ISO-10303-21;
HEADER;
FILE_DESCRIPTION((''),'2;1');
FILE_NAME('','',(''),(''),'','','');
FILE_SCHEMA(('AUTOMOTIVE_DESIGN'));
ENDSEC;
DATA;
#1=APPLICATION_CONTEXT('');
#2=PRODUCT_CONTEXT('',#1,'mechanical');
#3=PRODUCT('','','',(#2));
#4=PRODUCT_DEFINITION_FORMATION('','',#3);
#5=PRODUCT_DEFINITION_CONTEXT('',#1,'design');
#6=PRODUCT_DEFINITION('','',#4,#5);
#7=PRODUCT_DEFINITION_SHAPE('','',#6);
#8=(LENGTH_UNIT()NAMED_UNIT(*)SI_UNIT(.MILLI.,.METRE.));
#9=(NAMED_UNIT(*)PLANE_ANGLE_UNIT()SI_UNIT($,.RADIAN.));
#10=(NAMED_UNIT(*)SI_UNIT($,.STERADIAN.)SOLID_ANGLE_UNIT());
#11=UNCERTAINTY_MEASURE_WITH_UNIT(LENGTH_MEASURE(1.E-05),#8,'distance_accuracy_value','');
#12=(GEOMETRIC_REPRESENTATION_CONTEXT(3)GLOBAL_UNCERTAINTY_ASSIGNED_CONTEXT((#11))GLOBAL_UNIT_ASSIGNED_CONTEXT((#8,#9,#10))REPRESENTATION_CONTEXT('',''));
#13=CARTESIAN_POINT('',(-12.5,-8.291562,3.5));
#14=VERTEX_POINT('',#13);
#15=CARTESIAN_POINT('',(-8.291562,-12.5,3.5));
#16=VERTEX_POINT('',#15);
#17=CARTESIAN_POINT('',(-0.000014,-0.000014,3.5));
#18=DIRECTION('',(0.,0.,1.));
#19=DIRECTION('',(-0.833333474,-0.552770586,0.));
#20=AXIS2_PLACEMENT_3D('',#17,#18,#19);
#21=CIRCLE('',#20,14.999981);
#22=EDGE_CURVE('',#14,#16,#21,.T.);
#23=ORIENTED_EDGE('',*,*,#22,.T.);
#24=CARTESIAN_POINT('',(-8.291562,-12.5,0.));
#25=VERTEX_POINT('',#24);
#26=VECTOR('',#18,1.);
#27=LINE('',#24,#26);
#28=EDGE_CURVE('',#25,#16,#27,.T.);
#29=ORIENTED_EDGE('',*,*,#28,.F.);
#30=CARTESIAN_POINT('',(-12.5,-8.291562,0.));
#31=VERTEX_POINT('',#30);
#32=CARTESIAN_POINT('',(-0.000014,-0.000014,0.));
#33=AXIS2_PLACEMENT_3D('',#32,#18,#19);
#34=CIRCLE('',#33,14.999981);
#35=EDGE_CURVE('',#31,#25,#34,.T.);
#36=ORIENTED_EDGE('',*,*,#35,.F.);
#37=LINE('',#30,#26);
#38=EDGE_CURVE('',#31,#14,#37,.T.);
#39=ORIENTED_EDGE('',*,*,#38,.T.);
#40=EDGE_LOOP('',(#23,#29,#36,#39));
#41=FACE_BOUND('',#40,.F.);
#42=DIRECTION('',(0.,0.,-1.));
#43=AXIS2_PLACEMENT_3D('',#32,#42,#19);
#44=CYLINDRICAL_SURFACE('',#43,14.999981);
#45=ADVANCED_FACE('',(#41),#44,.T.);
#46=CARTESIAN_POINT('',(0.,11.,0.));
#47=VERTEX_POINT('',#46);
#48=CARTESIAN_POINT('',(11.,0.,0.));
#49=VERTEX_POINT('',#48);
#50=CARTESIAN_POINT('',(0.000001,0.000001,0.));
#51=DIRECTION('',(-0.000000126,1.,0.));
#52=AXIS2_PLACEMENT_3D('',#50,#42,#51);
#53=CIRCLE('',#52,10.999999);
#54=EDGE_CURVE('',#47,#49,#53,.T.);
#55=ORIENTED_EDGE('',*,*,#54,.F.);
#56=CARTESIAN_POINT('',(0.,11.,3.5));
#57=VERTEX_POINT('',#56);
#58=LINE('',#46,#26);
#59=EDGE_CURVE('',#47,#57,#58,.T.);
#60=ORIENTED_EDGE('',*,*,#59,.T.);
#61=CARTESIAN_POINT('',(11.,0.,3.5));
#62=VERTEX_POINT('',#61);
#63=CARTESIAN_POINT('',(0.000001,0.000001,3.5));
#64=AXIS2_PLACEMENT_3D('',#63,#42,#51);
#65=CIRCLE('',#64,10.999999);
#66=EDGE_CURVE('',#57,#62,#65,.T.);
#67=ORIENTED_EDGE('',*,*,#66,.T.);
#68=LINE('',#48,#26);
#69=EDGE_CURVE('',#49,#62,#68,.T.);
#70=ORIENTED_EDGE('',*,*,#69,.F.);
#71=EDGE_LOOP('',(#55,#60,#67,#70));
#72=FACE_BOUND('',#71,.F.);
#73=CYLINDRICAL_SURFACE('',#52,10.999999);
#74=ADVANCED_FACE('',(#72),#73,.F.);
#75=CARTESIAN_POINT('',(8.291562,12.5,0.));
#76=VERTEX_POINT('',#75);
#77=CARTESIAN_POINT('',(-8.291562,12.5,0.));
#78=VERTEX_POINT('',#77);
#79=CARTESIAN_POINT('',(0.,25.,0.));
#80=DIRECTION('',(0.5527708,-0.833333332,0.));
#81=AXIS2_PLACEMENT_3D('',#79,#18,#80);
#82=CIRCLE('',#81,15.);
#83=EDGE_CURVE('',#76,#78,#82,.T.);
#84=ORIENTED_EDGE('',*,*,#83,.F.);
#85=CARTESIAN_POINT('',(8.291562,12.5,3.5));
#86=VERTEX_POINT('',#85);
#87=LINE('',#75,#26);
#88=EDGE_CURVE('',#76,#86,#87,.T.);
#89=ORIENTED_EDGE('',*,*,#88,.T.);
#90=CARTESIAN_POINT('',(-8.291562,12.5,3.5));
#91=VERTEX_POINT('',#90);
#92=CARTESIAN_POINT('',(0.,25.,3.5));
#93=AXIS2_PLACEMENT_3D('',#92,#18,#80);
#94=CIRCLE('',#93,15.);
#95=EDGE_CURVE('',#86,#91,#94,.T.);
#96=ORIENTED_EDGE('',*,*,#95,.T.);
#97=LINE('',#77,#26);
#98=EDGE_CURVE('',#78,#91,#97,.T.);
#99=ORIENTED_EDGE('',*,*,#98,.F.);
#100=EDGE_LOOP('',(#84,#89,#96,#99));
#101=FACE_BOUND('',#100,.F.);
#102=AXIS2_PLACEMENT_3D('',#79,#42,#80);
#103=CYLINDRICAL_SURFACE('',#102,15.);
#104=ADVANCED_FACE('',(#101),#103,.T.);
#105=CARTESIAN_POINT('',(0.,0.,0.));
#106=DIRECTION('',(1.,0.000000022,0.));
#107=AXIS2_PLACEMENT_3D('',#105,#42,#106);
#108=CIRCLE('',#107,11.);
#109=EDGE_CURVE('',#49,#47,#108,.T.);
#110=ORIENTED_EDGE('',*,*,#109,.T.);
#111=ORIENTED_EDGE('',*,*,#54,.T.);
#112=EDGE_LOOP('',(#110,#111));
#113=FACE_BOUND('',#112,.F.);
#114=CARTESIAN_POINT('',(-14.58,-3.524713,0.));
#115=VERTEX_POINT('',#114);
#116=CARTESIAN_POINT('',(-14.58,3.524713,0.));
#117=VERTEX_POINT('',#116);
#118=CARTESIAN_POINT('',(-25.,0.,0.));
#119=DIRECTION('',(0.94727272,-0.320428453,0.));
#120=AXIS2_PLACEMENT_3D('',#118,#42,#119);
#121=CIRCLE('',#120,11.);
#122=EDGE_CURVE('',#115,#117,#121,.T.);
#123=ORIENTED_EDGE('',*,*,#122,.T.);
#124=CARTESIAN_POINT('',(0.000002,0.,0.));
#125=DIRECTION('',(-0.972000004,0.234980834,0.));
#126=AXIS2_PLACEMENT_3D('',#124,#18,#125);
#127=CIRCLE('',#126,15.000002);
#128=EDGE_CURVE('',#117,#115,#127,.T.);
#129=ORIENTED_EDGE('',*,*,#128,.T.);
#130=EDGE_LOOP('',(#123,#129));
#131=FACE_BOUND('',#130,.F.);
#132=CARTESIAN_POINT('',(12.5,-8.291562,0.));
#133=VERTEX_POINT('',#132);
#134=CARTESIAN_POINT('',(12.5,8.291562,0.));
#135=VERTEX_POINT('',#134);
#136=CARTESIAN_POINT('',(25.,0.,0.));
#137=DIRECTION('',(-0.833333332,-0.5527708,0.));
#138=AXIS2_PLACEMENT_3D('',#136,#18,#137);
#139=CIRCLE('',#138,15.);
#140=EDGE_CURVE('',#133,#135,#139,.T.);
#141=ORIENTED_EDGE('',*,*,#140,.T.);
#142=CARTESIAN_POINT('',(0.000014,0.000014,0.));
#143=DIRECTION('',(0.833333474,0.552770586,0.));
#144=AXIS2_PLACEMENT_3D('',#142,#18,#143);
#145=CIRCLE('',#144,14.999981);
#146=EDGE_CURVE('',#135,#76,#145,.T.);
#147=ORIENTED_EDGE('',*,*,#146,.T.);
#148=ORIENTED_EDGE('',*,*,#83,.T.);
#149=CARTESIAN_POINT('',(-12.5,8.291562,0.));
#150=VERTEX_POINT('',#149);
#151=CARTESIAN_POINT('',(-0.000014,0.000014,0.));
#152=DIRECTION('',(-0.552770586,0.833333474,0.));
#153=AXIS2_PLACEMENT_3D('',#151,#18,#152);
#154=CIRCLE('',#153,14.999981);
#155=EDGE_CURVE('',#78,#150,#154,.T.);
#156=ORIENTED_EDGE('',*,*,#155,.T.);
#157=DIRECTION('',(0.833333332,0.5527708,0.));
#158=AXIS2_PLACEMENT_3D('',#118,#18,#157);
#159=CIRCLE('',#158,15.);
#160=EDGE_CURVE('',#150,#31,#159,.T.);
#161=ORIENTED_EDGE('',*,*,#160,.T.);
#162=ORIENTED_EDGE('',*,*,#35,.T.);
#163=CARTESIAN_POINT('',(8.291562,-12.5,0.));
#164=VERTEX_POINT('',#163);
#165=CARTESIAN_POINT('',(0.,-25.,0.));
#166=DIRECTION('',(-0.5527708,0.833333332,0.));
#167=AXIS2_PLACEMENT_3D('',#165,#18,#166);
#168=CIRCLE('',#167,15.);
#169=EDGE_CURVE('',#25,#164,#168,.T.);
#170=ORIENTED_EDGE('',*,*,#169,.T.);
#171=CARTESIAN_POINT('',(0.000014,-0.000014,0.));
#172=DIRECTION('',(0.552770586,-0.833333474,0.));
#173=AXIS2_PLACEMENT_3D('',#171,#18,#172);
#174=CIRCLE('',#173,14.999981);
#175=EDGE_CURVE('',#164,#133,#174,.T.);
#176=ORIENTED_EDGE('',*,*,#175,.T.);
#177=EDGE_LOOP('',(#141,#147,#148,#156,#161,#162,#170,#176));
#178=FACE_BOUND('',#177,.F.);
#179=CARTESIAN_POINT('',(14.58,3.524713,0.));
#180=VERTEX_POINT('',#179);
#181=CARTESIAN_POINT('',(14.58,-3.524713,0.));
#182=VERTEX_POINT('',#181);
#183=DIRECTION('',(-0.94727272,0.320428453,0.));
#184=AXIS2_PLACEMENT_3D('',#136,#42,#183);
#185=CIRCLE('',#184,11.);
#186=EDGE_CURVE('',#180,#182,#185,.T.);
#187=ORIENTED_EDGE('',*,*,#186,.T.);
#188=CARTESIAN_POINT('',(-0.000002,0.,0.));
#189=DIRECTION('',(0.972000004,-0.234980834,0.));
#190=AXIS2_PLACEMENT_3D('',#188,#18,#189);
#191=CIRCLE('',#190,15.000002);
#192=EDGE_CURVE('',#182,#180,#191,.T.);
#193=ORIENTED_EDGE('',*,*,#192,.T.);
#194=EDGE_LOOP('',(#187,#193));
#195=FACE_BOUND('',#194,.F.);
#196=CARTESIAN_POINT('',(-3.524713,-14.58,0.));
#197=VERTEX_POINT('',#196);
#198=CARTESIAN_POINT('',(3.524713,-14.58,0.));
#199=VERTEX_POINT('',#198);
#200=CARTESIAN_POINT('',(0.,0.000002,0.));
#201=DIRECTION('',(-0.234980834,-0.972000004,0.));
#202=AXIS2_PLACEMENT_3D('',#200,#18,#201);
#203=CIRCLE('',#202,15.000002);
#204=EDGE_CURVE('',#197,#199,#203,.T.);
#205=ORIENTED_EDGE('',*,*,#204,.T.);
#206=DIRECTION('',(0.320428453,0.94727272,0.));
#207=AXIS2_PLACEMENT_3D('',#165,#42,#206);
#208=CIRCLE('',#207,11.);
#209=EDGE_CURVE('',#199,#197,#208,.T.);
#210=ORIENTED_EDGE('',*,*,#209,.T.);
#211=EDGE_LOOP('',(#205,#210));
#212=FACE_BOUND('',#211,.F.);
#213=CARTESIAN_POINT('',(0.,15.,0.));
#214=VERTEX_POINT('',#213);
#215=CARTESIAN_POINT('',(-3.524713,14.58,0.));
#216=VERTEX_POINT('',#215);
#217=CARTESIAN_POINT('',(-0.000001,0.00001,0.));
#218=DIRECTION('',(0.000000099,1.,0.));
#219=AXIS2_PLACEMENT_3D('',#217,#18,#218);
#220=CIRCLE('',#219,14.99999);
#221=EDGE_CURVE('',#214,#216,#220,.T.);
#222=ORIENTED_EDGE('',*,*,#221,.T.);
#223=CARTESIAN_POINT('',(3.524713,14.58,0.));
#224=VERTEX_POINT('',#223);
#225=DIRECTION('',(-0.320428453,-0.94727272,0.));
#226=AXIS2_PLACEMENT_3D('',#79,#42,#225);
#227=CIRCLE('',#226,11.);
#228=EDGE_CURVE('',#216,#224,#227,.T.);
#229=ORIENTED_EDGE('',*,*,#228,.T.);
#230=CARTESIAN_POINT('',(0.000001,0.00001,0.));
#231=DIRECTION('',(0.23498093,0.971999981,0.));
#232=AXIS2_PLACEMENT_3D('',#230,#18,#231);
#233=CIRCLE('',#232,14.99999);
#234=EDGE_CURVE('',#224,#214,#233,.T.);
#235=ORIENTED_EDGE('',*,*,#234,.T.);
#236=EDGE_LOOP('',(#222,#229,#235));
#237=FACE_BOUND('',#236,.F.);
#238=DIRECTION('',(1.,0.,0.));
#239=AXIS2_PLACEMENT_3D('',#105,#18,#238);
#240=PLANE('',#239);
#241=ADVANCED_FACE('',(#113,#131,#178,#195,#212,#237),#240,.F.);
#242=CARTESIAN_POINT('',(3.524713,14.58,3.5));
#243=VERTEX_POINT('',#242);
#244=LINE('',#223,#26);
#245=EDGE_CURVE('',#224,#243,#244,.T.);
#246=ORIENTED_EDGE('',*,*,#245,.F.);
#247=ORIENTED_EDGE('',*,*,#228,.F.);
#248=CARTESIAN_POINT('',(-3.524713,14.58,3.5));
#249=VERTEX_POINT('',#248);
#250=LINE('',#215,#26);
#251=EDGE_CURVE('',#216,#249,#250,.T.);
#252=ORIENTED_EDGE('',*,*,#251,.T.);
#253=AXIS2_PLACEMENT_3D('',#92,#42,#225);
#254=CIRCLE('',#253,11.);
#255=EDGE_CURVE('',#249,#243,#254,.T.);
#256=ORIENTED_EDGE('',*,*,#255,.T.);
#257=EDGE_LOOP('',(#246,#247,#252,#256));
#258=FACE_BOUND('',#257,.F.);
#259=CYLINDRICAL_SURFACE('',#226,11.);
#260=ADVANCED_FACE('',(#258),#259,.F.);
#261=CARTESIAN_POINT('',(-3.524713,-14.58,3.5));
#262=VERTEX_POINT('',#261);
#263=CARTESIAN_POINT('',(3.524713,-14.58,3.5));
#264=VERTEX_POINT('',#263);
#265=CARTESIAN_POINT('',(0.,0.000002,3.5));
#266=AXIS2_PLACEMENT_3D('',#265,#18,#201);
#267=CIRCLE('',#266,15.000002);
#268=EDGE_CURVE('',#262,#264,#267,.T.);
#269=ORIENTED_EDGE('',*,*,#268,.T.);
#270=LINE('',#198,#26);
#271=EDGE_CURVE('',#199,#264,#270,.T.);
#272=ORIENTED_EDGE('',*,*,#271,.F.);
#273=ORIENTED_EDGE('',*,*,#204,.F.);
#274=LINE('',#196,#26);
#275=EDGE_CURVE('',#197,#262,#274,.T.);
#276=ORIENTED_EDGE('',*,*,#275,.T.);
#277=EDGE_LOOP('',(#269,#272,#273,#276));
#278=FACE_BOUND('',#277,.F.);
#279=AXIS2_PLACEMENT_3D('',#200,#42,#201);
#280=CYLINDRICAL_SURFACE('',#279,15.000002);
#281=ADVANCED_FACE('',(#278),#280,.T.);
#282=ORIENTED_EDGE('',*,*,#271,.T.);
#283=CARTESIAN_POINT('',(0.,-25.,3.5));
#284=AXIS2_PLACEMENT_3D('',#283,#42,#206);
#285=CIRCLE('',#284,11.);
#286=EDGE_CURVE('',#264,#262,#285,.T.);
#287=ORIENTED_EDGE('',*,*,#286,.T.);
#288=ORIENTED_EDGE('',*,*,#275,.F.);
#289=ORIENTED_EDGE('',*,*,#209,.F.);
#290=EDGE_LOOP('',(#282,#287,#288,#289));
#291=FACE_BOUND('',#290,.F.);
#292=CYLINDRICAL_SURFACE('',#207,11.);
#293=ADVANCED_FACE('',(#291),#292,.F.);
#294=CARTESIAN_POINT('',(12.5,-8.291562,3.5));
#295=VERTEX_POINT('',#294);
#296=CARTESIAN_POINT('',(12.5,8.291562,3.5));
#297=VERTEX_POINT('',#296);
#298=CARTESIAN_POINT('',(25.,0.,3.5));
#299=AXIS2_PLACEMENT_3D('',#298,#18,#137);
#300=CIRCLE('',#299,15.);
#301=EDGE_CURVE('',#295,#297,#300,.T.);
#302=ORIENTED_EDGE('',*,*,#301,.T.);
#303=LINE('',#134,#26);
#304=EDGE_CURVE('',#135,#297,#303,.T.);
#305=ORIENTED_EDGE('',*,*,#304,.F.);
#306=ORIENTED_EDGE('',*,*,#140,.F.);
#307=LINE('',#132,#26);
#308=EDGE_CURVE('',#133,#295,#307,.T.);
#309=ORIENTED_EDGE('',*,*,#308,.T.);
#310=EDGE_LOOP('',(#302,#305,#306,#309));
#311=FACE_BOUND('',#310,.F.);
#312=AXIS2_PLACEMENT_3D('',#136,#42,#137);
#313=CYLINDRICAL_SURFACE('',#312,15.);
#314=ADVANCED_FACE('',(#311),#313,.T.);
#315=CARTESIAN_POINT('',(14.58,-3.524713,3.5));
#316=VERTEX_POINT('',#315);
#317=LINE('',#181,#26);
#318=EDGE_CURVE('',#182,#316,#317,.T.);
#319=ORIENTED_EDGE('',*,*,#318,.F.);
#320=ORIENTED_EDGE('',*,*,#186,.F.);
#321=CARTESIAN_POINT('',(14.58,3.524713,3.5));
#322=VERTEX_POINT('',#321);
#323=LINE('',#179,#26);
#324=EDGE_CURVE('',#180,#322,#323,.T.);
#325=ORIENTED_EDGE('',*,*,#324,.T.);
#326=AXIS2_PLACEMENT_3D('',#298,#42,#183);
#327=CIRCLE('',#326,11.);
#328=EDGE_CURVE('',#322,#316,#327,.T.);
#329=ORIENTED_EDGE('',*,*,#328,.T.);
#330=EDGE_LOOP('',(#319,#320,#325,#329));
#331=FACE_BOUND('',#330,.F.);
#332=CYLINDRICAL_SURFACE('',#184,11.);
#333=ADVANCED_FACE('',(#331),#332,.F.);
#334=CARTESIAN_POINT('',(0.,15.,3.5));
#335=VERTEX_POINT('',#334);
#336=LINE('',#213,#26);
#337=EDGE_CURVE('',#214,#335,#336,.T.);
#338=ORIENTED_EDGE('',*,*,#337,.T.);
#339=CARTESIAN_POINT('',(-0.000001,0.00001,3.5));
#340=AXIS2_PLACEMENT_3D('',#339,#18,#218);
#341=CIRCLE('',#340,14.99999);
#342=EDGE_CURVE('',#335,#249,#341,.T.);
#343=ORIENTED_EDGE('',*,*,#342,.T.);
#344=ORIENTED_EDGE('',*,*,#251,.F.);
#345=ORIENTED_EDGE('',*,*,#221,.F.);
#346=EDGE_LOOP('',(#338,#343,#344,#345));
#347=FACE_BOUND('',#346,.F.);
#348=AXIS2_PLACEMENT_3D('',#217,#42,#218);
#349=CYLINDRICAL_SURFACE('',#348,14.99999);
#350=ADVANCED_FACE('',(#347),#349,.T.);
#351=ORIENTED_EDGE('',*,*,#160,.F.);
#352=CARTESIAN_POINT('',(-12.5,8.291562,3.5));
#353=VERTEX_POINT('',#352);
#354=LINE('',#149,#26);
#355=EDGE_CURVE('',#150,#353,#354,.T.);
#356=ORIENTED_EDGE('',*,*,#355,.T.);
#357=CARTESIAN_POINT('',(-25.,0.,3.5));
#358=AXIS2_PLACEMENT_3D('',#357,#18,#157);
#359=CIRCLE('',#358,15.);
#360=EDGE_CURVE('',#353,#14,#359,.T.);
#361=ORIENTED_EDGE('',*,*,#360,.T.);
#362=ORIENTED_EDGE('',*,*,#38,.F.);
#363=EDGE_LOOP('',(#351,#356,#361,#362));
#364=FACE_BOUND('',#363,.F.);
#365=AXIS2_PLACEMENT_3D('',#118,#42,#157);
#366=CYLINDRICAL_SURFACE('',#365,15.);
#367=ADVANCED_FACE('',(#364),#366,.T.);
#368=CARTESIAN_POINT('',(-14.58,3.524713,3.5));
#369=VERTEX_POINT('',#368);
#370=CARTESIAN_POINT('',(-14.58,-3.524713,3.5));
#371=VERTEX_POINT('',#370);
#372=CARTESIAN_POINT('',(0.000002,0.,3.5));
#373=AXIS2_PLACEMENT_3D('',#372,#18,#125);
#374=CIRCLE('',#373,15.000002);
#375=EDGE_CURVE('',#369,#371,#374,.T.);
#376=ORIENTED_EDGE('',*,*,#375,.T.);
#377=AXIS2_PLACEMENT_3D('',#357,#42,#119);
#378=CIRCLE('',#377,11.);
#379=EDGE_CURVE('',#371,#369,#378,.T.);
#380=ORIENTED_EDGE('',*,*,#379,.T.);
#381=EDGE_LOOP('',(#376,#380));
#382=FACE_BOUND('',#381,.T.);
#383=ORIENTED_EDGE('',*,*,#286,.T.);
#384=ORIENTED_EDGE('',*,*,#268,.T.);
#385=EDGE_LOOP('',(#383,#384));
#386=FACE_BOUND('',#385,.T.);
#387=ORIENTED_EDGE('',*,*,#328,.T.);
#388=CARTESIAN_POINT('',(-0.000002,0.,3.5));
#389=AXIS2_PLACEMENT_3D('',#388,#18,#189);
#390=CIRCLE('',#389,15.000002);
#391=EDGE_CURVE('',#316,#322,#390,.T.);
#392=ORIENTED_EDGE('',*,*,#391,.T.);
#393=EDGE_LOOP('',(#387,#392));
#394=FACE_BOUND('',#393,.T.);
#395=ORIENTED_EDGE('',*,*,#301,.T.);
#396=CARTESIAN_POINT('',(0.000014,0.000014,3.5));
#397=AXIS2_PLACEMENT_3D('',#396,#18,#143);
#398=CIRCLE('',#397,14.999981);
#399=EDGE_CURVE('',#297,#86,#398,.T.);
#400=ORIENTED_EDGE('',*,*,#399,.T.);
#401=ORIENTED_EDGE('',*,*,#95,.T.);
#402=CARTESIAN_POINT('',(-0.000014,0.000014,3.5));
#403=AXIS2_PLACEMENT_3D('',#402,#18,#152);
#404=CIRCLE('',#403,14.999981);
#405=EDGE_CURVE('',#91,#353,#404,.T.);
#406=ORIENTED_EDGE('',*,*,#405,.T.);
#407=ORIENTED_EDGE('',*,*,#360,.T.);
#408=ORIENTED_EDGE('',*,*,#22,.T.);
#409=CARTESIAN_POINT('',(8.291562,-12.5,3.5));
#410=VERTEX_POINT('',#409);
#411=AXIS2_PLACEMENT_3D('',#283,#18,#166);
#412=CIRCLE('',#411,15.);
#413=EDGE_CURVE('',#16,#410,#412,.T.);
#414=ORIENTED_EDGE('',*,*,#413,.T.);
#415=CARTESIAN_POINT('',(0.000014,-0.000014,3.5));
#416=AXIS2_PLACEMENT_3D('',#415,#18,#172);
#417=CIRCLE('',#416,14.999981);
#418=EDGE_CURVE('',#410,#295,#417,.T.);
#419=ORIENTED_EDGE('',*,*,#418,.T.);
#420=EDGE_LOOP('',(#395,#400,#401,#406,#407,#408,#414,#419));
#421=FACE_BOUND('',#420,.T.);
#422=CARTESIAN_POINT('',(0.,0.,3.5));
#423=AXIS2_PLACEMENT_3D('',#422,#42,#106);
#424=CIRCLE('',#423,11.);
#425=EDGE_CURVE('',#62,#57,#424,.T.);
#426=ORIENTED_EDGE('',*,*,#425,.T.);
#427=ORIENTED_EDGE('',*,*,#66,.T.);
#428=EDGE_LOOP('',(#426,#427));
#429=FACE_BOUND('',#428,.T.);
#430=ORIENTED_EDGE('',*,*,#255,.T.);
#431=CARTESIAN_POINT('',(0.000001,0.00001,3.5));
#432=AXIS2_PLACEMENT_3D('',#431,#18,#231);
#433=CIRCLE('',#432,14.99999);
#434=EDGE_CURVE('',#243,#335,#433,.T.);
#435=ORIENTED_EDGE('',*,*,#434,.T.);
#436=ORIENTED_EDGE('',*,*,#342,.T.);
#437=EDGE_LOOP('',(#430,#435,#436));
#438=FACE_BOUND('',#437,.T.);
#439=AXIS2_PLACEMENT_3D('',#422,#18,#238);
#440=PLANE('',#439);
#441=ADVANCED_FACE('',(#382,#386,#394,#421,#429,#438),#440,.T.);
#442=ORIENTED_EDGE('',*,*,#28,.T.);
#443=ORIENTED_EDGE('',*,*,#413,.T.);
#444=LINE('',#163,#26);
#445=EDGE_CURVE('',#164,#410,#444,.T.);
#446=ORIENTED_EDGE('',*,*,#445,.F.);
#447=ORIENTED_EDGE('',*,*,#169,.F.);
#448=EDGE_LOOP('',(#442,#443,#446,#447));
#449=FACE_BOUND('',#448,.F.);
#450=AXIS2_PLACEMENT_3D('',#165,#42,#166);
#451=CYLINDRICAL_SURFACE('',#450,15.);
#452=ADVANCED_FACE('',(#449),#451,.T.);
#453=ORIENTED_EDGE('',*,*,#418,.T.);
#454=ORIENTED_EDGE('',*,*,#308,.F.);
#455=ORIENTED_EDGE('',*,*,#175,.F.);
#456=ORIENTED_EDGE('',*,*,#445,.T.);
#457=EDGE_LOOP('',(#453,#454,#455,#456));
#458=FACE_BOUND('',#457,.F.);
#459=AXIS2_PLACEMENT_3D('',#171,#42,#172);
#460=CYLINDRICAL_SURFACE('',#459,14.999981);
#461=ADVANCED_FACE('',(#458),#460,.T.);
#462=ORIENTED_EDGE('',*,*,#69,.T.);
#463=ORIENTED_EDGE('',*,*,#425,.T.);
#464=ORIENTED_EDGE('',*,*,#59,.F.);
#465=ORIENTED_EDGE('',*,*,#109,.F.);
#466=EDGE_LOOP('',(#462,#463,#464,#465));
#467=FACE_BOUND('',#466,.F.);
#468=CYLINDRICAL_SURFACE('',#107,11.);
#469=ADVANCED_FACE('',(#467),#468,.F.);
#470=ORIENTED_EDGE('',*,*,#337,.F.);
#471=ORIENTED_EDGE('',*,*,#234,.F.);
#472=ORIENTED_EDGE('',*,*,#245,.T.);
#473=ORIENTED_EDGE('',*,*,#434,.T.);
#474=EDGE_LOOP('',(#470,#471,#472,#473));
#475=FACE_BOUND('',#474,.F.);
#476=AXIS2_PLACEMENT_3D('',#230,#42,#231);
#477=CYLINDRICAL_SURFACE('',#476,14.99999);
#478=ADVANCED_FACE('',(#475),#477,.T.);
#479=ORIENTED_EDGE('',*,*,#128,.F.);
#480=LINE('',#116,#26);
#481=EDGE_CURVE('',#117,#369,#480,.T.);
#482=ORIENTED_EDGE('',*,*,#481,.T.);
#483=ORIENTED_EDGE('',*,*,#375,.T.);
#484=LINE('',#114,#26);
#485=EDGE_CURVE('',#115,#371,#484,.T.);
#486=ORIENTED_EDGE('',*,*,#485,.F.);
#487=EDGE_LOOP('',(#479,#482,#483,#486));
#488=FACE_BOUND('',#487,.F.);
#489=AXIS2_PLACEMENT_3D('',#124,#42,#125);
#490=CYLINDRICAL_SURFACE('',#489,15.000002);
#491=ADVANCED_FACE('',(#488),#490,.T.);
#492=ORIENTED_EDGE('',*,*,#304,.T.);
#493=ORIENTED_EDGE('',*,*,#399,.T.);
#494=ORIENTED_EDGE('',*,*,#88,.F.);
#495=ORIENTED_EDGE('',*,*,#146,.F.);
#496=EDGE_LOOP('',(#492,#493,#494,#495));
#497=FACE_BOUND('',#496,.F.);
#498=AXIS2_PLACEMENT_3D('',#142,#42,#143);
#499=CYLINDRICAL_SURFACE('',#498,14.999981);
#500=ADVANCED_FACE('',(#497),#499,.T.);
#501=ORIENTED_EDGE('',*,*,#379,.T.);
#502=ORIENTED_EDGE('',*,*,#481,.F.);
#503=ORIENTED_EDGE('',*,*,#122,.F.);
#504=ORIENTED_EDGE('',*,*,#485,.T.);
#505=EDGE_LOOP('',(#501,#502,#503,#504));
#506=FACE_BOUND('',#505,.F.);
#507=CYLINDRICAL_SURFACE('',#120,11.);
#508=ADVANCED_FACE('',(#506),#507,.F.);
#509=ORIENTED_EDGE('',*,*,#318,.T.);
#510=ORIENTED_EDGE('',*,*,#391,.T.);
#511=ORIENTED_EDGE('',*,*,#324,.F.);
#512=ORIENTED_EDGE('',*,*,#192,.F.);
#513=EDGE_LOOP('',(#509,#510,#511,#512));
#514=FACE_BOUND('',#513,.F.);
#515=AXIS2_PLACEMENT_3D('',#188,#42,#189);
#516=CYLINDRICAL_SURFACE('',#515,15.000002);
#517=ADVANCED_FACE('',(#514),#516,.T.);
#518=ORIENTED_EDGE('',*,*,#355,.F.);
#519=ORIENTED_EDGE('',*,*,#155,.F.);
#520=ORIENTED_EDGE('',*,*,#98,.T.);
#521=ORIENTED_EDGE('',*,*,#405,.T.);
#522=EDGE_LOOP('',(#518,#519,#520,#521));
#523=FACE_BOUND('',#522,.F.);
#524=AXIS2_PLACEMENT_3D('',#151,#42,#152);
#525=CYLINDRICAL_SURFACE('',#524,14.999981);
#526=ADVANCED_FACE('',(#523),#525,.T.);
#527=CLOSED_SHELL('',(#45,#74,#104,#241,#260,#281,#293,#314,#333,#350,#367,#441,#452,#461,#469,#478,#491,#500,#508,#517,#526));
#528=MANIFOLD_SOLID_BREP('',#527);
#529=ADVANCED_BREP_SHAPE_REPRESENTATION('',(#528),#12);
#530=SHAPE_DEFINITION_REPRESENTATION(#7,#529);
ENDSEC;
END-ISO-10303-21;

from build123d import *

# Parameters (mm, degrees)
F1_DEPTH = 3.5


with BuildPart() as f1:
    # F0 (on Top) → F1 (new body)
    with BuildSketch(Plane.XY):
        with BuildLine():
            ThreePointArc((8.291562, 12.5), (0, 40), (-8.291562, 12.5))
            ThreePointArc((-8.291562, 12.5), (-10.606602, 10.606602), (-12.5, 8.291562))
            ThreePointArc((-12.5, 8.291562), (-40, 0), (-12.5, -8.291562))
            ThreePointArc((-12.5, -8.291562), (-10.606602, -10.606602), (-8.291562, -12.5))
            ThreePointArc((-8.291562, -12.5), (0, -40), (8.291562, -12.5))
            ThreePointArc((8.291562, -12.5), (10.606602, -10.606602), (12.5, -8.291562))
            ThreePointArc((12.5, -8.291562), (40, 0), (12.5, 8.291562))
            ThreePointArc((12.5, 8.291562), (10.606602, 10.606602), (8.291562, 12.5))
        make_face()
        with BuildLine():
            ThreePointArc((3.524713, -14.58), (0, -36), (-3.524713, -14.58))
            ThreePointArc((-3.524713, -14.58), (0, -15), (3.524713, -14.58))
        make_face(mode=Mode.SUBTRACT)
        with BuildLine():
            ThreePointArc((-14.58, -3.524713), (-36, 0), (-14.58, 3.524713))
            ThreePointArc((-14.58, 3.524713), (-15, 0), (-14.58, -3.524713))
        make_face(mode=Mode.SUBTRACT)
        with BuildLine():
            ThreePointArc((0, 11), (7.778175, 7.778175), (11, 0))
            ThreePointArc((11, 0), (-7.778175, -7.778175), (0, 11))
        make_face(mode=Mode.SUBTRACT)
        with BuildLine():
            ThreePointArc((14.58, 3.524713), (36, 0), (14.58, -3.524713))
            ThreePointArc((14.58, -3.524713), (15, 0), (14.58, 3.524713))
        make_face(mode=Mode.SUBTRACT)
        with BuildLine():
            ThreePointArc((3.524713, 14.58), (1.774824, 14.89463), (0, 15))
            ThreePointArc((0, 15), (-1.774824, 14.89463), (-3.524713, 14.58))
            ThreePointArc((-3.524713, 14.58), (0, 36), (3.524713, 14.58))
        make_face(mode=Mode.SUBTRACT)
    extrude(amount=F1_DEPTH)


solid = f1.part
